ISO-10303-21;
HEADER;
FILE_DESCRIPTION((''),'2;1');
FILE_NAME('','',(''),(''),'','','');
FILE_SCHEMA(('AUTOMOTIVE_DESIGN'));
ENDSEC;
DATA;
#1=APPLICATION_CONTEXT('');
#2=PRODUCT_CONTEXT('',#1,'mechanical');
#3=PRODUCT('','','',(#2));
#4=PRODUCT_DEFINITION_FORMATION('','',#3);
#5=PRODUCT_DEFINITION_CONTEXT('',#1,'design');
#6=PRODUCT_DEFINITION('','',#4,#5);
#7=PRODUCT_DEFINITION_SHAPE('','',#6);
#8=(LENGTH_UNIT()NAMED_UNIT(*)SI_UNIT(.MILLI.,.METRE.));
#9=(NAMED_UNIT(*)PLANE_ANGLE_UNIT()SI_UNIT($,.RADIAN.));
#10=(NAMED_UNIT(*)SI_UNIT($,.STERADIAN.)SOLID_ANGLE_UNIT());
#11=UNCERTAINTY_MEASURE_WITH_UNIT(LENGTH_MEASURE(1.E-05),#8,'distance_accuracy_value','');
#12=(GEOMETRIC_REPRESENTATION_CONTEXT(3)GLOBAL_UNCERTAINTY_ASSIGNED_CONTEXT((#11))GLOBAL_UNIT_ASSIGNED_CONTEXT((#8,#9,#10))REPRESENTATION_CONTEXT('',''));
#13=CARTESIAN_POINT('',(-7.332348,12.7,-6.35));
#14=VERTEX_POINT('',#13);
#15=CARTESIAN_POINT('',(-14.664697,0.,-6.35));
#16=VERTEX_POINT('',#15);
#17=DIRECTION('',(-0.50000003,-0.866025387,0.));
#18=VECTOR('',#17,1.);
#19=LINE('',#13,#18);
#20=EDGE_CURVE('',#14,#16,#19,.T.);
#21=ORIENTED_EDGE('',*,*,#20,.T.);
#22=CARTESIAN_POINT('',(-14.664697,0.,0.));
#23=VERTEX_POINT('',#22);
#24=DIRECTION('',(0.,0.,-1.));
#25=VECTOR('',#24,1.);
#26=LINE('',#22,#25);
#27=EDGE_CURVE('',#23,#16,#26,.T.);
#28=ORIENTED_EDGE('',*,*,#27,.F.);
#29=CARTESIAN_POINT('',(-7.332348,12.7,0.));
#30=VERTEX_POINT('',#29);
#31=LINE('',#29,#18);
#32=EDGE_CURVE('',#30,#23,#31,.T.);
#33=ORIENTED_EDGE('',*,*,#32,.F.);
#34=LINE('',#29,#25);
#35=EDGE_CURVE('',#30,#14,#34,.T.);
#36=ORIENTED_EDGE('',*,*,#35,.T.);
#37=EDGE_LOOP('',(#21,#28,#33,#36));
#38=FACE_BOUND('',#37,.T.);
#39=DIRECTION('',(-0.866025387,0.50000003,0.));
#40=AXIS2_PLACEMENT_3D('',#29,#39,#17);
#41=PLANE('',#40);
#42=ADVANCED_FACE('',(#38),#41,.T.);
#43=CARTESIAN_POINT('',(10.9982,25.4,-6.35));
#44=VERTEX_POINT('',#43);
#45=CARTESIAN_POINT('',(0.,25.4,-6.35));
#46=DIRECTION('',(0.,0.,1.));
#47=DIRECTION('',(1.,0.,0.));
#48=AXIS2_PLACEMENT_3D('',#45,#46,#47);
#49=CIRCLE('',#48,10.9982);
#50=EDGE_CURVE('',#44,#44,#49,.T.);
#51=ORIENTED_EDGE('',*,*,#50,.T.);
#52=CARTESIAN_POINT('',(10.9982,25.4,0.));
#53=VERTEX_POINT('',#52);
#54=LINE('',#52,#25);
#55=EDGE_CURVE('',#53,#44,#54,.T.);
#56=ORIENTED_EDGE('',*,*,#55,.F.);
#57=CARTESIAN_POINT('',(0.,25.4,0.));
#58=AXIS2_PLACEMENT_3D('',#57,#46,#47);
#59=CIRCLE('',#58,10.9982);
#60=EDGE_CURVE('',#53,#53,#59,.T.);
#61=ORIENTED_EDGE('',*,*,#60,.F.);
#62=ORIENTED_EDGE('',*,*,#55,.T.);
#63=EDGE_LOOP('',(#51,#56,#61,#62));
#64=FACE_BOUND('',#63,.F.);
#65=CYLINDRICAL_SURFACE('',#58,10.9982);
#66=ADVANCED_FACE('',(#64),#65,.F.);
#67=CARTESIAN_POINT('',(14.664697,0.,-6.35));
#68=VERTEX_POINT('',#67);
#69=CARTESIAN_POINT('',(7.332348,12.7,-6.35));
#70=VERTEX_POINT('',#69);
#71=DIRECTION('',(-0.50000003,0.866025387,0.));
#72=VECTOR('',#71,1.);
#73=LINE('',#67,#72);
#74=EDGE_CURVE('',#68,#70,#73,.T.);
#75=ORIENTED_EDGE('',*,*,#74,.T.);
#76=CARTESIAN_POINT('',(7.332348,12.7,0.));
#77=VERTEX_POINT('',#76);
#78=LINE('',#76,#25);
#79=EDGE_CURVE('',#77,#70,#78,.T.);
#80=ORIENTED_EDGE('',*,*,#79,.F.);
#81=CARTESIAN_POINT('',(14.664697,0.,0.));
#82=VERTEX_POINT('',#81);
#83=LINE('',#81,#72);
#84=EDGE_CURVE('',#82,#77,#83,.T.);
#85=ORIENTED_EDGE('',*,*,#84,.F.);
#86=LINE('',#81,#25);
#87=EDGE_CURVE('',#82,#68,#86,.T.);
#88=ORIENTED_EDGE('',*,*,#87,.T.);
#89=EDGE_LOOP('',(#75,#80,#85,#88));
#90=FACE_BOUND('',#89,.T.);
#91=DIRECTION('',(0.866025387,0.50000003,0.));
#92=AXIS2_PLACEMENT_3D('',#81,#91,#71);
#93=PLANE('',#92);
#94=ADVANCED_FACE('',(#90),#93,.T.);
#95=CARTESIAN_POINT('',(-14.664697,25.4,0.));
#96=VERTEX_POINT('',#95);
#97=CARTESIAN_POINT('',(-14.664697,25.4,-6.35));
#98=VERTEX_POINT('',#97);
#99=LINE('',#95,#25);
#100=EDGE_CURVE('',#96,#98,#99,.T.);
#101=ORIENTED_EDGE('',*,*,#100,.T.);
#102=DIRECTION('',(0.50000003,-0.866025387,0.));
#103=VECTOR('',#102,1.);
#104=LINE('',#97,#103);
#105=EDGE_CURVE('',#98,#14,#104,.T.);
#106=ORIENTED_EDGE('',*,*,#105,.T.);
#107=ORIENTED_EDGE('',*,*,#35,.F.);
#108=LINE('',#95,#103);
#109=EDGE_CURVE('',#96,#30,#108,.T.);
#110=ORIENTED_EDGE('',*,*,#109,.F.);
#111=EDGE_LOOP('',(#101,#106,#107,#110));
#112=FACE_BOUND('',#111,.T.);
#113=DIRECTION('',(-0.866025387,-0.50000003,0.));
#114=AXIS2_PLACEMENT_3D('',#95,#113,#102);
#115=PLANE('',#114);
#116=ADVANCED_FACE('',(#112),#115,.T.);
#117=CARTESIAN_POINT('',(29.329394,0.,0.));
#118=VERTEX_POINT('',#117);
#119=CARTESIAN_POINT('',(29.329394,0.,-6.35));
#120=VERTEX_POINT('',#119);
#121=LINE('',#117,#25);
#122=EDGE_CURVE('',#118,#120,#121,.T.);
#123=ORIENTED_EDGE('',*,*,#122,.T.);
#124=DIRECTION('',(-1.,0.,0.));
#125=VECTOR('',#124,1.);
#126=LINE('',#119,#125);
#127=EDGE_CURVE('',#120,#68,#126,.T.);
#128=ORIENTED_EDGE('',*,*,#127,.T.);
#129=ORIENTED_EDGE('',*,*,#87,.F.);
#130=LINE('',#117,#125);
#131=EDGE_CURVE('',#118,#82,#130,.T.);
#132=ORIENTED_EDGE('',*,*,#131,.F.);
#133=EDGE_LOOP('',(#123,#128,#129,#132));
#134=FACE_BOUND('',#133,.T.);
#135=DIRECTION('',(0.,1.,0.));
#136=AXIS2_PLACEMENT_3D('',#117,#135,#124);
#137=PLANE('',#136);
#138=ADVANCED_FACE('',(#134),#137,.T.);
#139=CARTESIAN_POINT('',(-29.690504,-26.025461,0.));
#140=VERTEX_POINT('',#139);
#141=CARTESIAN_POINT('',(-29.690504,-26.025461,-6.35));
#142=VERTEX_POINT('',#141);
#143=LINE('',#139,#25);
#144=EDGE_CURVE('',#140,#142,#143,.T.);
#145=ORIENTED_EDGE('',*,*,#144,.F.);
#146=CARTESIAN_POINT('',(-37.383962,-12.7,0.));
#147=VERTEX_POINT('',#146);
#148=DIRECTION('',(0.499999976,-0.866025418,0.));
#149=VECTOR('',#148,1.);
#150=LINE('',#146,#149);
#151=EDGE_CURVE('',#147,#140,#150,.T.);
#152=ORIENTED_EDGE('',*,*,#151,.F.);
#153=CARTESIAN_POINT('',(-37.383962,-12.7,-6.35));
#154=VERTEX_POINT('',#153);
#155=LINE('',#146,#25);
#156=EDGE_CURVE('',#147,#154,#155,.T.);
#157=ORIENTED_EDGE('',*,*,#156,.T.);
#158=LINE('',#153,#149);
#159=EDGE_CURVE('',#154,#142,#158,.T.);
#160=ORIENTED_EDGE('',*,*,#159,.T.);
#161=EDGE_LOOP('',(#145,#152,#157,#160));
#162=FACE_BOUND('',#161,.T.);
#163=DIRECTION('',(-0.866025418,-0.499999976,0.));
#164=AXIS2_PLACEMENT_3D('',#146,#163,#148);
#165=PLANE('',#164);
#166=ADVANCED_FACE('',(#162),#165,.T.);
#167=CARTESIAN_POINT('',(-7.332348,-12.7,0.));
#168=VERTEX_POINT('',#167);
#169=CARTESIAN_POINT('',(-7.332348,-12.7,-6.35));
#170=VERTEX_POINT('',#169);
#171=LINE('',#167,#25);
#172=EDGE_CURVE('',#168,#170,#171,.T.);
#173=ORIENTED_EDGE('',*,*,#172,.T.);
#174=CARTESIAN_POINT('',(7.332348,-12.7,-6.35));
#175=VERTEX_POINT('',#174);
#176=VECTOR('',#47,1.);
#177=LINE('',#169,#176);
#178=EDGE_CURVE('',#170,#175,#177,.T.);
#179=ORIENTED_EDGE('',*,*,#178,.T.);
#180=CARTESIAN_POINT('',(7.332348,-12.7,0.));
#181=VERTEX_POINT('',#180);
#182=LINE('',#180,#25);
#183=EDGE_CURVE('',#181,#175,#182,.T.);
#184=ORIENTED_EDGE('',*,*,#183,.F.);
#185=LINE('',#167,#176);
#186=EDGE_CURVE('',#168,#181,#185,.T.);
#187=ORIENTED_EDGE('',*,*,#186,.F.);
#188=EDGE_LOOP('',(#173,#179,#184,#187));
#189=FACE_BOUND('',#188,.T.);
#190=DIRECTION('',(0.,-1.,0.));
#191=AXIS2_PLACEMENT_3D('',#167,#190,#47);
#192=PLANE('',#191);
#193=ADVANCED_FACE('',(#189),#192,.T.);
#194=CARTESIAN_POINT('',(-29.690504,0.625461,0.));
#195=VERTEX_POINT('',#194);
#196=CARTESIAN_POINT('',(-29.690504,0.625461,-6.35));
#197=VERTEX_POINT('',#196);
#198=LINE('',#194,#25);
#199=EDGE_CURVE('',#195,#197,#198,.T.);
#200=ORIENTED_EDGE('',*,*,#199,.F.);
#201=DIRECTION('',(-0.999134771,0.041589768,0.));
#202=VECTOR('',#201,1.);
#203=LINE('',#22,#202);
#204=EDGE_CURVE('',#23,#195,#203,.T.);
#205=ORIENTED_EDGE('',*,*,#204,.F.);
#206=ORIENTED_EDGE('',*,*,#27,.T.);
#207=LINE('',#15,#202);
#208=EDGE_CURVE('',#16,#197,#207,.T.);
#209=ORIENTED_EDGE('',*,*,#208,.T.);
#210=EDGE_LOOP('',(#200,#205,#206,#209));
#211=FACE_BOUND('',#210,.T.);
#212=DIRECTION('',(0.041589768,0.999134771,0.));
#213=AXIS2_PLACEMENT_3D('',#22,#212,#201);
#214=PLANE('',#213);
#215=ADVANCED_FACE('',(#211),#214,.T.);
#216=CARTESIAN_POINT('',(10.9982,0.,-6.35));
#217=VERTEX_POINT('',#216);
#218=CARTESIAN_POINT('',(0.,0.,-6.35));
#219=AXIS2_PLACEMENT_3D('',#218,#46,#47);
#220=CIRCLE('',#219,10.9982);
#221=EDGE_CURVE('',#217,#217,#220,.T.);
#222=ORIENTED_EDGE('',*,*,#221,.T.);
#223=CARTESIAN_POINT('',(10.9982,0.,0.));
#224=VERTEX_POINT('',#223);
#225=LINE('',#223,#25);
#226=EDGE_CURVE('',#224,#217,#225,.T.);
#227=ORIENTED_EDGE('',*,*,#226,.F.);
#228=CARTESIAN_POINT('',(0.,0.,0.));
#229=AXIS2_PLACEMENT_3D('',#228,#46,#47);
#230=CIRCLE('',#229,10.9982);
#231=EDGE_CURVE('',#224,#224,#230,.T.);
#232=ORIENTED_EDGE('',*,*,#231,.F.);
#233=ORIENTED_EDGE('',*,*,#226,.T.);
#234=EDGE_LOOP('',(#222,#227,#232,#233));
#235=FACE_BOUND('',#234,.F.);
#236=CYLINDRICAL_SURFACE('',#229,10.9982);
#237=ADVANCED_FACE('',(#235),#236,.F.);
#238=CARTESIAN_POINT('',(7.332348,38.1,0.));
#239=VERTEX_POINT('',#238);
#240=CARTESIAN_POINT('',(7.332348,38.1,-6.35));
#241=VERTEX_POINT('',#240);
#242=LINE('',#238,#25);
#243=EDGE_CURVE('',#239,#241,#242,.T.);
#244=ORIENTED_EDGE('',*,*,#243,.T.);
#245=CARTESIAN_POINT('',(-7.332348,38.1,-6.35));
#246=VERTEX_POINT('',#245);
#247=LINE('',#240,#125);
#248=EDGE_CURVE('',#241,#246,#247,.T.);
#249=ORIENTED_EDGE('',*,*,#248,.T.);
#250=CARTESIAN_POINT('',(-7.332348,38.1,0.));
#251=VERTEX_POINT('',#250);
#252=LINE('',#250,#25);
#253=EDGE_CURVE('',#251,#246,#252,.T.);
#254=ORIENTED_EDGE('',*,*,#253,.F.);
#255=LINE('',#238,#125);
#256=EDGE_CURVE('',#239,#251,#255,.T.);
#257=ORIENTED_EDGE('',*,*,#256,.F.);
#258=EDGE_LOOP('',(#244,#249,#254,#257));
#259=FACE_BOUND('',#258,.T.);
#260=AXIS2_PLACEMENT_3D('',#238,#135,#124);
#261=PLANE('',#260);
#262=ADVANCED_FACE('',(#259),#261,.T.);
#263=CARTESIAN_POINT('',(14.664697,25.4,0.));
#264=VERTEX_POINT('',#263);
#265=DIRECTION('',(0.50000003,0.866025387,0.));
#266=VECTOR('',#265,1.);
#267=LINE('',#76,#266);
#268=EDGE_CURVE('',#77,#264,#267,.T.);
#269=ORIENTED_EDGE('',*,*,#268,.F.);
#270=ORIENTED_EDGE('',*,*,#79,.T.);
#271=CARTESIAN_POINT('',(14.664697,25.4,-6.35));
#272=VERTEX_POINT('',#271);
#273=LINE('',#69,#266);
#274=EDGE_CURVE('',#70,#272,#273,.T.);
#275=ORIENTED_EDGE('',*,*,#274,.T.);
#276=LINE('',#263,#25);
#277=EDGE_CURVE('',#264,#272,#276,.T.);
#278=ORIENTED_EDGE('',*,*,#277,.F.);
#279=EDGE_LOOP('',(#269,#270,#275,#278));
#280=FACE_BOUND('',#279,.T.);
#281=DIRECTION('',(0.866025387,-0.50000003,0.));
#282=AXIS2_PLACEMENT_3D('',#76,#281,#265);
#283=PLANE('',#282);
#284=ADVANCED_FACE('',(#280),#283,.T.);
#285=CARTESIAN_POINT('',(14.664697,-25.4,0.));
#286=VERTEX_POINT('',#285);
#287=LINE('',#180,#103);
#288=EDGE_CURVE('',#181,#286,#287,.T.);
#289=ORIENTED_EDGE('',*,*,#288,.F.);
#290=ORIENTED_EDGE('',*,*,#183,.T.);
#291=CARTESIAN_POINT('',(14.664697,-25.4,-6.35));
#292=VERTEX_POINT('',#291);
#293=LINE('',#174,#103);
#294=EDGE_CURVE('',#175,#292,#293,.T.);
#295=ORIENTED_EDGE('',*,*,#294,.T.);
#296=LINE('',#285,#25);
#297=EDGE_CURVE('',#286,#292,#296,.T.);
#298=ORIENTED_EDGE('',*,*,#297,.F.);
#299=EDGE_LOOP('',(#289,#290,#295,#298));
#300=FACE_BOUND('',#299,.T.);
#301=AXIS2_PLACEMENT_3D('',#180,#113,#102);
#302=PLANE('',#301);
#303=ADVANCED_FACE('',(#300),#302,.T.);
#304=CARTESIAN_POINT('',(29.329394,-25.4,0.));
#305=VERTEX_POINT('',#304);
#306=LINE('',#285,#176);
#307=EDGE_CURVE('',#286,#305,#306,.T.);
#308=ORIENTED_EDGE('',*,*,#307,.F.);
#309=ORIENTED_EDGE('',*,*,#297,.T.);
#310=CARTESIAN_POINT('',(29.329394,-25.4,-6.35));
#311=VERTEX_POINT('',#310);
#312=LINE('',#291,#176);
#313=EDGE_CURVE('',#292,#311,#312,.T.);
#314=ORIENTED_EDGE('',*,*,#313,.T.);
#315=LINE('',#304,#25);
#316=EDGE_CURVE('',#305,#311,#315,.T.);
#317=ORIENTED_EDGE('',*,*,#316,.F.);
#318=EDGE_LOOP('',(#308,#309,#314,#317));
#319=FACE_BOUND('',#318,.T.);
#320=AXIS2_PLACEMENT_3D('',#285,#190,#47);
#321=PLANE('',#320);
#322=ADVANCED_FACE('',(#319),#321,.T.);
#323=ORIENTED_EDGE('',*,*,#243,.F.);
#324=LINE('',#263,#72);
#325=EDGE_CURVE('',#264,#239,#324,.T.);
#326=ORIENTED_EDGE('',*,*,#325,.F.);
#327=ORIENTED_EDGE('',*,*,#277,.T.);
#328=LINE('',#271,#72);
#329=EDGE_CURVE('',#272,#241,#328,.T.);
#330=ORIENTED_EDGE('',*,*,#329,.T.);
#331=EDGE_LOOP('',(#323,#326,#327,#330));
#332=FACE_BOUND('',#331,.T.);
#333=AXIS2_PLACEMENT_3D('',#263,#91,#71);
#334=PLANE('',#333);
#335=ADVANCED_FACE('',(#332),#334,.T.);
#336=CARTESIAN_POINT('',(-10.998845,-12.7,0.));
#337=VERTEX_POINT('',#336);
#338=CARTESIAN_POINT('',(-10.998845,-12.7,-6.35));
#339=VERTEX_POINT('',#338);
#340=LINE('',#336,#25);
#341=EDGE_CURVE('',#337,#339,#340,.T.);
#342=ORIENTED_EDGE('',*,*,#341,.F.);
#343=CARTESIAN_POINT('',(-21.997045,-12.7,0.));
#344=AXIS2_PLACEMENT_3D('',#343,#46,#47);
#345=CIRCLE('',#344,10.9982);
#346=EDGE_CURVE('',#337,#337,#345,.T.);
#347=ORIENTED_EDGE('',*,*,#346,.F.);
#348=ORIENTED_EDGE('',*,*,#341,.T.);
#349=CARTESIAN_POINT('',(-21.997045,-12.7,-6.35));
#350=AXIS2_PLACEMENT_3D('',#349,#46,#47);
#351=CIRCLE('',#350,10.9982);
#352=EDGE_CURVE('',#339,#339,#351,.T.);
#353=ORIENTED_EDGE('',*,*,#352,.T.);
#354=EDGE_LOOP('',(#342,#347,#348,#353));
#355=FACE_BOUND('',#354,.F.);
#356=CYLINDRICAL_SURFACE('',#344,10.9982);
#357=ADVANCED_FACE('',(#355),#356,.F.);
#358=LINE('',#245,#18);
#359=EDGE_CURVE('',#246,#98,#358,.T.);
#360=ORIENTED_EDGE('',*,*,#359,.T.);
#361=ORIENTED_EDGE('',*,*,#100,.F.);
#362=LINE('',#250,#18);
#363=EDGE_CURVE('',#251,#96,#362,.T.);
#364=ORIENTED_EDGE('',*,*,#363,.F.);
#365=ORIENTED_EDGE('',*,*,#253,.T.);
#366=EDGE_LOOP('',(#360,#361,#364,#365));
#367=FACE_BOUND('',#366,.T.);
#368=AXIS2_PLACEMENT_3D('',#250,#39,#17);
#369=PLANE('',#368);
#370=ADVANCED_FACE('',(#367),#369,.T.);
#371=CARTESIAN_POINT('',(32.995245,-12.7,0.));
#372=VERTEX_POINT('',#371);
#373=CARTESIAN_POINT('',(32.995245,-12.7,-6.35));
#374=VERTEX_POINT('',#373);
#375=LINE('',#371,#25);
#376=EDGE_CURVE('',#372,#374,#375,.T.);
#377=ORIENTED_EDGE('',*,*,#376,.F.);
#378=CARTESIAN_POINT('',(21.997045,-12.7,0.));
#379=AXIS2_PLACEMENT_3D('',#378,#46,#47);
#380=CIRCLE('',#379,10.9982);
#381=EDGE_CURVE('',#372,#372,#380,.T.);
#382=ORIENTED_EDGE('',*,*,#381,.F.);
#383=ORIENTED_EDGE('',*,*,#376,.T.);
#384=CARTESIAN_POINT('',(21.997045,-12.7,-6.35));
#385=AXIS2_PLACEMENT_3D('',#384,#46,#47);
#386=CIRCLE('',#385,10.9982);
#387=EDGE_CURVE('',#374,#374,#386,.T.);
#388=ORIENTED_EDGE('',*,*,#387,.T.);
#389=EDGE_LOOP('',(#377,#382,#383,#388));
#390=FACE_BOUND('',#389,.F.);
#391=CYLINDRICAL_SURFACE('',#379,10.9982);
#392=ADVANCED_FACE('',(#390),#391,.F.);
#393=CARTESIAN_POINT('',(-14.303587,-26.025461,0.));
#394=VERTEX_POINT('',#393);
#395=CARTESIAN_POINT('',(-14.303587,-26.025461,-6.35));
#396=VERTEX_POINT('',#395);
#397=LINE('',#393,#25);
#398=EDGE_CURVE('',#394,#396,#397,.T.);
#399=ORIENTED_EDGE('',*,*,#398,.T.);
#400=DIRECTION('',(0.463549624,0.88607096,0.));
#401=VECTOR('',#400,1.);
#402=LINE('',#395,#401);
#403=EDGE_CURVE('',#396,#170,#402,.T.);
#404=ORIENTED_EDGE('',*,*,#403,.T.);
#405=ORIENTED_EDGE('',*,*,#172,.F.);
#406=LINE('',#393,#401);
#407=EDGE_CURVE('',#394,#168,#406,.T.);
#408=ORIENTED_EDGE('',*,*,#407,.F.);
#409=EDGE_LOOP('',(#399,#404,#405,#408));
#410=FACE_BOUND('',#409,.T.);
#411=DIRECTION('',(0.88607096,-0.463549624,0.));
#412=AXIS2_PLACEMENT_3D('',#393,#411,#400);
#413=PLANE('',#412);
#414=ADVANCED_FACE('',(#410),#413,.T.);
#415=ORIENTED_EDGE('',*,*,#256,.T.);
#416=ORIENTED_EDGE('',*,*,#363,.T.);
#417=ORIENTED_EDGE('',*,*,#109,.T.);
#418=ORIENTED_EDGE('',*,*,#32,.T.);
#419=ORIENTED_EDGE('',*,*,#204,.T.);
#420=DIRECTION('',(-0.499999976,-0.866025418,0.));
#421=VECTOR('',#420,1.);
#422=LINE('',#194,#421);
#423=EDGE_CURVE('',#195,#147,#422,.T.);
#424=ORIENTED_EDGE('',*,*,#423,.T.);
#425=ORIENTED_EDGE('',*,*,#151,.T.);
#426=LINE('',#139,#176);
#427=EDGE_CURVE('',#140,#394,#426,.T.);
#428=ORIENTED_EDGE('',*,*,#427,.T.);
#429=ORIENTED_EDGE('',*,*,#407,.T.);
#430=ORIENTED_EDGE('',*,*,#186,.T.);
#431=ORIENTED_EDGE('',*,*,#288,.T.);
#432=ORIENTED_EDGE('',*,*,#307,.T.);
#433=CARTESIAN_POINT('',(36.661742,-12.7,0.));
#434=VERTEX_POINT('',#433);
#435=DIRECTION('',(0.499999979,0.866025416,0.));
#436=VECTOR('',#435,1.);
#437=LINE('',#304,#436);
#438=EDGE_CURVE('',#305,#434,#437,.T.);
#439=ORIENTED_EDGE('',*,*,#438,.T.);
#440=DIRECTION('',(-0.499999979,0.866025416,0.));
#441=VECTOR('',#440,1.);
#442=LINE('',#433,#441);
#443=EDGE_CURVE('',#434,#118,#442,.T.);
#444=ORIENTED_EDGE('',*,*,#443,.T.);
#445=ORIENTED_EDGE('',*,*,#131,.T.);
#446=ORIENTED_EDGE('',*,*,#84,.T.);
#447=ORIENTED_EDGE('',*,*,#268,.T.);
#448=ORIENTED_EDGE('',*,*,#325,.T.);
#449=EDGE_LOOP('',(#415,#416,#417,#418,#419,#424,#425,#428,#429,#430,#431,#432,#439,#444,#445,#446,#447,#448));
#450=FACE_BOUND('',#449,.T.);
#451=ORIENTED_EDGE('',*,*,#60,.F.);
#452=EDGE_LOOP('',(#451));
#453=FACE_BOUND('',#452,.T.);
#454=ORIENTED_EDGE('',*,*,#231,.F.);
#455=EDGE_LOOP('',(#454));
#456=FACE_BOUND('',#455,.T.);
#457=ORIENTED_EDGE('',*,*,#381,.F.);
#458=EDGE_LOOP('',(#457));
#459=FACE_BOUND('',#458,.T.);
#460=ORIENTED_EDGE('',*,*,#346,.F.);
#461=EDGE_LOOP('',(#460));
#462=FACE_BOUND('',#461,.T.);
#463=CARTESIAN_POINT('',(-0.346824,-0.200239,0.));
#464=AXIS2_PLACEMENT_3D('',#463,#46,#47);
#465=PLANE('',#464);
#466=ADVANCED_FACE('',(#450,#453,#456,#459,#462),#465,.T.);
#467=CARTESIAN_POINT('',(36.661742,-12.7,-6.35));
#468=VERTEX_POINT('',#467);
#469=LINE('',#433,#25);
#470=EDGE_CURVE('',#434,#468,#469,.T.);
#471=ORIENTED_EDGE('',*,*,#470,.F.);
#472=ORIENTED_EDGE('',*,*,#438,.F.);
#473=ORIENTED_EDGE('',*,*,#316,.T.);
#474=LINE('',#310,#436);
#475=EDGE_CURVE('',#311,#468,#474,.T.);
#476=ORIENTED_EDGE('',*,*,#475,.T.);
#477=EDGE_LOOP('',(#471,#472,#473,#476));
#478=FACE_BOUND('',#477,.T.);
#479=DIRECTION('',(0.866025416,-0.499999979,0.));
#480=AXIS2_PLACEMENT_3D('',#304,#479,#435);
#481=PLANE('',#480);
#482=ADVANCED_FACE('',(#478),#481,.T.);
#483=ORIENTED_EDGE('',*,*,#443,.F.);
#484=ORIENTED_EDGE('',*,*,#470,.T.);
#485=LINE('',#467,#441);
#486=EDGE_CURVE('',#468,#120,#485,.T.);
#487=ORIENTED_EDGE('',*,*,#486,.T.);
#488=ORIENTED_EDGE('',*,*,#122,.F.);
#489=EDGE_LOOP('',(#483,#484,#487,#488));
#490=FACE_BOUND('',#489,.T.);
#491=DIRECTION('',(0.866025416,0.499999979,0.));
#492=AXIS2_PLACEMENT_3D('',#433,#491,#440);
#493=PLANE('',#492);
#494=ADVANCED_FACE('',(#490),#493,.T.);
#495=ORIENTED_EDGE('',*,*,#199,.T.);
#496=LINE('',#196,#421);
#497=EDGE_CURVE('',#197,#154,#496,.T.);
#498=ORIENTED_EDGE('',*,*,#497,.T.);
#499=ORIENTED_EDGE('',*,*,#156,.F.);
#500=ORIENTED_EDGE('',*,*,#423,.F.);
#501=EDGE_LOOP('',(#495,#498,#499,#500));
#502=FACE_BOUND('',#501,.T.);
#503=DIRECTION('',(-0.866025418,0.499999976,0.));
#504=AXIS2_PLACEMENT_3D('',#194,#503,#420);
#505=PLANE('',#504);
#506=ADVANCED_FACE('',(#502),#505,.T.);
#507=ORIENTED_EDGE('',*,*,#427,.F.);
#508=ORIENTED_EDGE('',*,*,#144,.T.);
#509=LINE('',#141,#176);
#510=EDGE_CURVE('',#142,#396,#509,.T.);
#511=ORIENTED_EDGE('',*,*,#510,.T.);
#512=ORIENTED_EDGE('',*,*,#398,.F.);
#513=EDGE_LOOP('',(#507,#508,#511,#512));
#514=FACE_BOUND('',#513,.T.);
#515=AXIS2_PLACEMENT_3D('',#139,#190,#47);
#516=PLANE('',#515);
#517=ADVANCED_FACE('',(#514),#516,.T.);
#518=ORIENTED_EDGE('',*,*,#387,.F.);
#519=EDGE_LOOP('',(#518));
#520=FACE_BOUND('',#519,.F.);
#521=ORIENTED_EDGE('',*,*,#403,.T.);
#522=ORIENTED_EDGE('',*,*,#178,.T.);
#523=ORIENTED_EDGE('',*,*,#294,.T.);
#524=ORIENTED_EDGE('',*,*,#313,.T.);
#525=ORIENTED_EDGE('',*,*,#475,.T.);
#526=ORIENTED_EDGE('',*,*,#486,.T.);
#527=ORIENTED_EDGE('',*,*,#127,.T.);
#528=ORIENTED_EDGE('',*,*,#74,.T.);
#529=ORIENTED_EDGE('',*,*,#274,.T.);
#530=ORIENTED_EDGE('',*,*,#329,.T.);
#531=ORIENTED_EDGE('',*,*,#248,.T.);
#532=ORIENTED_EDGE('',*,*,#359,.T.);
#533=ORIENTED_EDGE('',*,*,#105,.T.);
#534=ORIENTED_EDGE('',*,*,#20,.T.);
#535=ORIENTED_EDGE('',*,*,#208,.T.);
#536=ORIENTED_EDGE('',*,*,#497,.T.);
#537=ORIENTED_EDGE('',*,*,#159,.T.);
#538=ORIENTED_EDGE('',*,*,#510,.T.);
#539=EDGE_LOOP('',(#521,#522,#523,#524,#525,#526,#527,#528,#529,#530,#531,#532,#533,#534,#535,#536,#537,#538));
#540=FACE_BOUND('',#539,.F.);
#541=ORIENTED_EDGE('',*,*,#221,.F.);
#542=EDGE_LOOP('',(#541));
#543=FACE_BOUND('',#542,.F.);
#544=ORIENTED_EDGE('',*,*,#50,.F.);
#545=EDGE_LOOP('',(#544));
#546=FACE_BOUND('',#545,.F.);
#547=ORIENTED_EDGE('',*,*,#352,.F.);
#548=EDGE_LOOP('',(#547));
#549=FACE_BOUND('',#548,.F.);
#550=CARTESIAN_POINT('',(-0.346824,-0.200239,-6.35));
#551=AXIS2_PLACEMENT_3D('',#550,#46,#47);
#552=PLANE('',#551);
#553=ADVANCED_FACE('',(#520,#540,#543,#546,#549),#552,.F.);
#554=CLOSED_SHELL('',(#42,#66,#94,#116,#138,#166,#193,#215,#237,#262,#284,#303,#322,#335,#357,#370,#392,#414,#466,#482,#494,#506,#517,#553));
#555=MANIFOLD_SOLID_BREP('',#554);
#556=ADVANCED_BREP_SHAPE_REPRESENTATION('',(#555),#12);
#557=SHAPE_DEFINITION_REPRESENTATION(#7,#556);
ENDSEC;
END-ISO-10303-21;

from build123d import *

# Parameters (mm, degrees)
F0_R     = 10.9982
F1_DEPTH = 6.35


with BuildPart() as f1:
    # F0 (on Top) → F1 (new body)
    with BuildSketch(Plane.XY):
        Polygon((-7.332348, -12.7), (7.332348, -12.7), (14.664697, -25.4), (29.329394, -25.4), (36.661742, -12.7), (29.329394, 0), (14.664697, 0), (7.332348, 12.7), (14.664697, 25.4), (7.332348, 38.1), (-7.332348, 38.1), (-14.664697, 25.4), (-7.332348, 12.7), (-14.664697, 0), (-29.690504, 0.625461), (-37.383962, -12.7), (-29.690504, -26.025461), (-14.303587, -26.025461), align=None)
        with Locations((-21.997045, -12.7)):
            Circle(F0_R, mode=Mode.SUBTRACT)
        with Locations((21.997045, -12.7)):
            Circle(F0_R, mode=Mode.SUBTRACT)
        Circle(F0_R, mode=Mode.SUBTRACT)
        with Locations((0, 25.4)):
            Circle(F0_R, mode=Mode.SUBTRACT)
    extrude(amount=-F1_DEPTH)


solid = f1.part
